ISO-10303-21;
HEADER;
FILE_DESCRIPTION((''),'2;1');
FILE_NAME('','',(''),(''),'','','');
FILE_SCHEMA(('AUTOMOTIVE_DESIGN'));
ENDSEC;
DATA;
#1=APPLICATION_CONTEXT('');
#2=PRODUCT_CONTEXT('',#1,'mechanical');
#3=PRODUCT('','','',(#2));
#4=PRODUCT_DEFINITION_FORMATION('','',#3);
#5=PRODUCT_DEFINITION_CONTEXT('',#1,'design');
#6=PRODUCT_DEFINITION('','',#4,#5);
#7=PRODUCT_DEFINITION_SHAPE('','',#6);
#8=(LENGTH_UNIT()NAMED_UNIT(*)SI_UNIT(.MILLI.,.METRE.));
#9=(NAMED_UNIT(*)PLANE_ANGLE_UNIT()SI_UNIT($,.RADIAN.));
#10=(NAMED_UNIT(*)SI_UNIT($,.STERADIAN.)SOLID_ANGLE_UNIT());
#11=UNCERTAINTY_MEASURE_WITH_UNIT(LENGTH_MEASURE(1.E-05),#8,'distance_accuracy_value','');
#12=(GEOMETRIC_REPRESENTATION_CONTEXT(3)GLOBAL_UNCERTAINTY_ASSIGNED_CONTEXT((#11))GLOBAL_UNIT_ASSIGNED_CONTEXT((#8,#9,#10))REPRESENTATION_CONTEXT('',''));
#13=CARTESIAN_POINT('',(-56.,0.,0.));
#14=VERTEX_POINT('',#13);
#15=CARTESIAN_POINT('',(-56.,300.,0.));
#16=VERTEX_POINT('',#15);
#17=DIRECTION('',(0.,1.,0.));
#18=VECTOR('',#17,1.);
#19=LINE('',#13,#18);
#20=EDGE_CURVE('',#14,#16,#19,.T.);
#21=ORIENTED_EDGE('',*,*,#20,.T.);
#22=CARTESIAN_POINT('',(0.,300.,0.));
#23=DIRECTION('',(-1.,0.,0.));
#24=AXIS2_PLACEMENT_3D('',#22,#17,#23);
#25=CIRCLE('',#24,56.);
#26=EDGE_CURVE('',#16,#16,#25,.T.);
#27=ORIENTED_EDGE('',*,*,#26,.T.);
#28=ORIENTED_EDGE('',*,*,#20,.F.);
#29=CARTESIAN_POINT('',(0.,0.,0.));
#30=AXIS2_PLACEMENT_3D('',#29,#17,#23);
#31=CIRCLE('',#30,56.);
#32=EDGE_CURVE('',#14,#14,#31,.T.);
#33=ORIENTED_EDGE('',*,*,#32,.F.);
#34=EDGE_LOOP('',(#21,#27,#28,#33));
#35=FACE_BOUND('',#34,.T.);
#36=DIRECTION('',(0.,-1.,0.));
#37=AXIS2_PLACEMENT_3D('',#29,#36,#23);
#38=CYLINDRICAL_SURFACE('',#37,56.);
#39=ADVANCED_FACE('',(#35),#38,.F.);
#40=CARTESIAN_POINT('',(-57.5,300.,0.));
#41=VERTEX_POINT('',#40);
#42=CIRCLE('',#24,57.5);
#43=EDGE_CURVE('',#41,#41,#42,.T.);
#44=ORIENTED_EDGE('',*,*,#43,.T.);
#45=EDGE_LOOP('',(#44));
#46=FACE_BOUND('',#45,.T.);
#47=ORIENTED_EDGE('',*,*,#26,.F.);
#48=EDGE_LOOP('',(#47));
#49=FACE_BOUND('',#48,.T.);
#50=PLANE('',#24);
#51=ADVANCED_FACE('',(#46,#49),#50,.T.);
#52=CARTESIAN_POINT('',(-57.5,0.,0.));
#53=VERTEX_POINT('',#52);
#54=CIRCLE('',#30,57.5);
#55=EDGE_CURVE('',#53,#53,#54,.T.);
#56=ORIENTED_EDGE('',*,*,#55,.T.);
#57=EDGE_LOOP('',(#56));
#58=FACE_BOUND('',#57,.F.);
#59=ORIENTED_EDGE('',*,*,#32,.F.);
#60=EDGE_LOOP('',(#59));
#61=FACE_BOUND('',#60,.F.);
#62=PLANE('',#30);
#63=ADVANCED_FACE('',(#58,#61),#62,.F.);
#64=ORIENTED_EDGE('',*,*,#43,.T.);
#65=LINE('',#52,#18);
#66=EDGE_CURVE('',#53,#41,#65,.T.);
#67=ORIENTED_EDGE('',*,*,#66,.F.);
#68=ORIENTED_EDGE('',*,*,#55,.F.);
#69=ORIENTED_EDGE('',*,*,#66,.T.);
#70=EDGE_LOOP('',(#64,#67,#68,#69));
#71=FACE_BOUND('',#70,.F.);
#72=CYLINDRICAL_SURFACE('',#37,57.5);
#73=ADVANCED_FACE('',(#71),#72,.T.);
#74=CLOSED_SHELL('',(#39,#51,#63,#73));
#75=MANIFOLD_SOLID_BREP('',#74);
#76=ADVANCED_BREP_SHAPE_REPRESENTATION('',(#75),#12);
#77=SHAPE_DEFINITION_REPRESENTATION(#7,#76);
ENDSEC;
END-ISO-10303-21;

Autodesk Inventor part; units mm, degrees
ref_plane "YZ Plane" through (0, 0, 0) normal (1, 0, 0) x (0, 1, 0)
ref_plane "XZ Plane" through (0, 0, 0) normal (0, 1, 0) x (-1, 0, 0)
ref_plane "XY Plane" through (0, 0, 0) normal (0, 0, 1) x (1, 0, 0)
sketch "Sketch1" plane through (0, 0, 0) normal (0, 1, 0) x (-1, 0, 0)
  circle A0 centre (0, 0) radius 56
  circle A1 centre (0, 0) radius 57.5
  dimension "d0" = 112
  dimension "d1" = 115
extrude "Extrusion1" add sketch "Sketch1" along normal blind 300
properties part number "CoolingSleeve"
